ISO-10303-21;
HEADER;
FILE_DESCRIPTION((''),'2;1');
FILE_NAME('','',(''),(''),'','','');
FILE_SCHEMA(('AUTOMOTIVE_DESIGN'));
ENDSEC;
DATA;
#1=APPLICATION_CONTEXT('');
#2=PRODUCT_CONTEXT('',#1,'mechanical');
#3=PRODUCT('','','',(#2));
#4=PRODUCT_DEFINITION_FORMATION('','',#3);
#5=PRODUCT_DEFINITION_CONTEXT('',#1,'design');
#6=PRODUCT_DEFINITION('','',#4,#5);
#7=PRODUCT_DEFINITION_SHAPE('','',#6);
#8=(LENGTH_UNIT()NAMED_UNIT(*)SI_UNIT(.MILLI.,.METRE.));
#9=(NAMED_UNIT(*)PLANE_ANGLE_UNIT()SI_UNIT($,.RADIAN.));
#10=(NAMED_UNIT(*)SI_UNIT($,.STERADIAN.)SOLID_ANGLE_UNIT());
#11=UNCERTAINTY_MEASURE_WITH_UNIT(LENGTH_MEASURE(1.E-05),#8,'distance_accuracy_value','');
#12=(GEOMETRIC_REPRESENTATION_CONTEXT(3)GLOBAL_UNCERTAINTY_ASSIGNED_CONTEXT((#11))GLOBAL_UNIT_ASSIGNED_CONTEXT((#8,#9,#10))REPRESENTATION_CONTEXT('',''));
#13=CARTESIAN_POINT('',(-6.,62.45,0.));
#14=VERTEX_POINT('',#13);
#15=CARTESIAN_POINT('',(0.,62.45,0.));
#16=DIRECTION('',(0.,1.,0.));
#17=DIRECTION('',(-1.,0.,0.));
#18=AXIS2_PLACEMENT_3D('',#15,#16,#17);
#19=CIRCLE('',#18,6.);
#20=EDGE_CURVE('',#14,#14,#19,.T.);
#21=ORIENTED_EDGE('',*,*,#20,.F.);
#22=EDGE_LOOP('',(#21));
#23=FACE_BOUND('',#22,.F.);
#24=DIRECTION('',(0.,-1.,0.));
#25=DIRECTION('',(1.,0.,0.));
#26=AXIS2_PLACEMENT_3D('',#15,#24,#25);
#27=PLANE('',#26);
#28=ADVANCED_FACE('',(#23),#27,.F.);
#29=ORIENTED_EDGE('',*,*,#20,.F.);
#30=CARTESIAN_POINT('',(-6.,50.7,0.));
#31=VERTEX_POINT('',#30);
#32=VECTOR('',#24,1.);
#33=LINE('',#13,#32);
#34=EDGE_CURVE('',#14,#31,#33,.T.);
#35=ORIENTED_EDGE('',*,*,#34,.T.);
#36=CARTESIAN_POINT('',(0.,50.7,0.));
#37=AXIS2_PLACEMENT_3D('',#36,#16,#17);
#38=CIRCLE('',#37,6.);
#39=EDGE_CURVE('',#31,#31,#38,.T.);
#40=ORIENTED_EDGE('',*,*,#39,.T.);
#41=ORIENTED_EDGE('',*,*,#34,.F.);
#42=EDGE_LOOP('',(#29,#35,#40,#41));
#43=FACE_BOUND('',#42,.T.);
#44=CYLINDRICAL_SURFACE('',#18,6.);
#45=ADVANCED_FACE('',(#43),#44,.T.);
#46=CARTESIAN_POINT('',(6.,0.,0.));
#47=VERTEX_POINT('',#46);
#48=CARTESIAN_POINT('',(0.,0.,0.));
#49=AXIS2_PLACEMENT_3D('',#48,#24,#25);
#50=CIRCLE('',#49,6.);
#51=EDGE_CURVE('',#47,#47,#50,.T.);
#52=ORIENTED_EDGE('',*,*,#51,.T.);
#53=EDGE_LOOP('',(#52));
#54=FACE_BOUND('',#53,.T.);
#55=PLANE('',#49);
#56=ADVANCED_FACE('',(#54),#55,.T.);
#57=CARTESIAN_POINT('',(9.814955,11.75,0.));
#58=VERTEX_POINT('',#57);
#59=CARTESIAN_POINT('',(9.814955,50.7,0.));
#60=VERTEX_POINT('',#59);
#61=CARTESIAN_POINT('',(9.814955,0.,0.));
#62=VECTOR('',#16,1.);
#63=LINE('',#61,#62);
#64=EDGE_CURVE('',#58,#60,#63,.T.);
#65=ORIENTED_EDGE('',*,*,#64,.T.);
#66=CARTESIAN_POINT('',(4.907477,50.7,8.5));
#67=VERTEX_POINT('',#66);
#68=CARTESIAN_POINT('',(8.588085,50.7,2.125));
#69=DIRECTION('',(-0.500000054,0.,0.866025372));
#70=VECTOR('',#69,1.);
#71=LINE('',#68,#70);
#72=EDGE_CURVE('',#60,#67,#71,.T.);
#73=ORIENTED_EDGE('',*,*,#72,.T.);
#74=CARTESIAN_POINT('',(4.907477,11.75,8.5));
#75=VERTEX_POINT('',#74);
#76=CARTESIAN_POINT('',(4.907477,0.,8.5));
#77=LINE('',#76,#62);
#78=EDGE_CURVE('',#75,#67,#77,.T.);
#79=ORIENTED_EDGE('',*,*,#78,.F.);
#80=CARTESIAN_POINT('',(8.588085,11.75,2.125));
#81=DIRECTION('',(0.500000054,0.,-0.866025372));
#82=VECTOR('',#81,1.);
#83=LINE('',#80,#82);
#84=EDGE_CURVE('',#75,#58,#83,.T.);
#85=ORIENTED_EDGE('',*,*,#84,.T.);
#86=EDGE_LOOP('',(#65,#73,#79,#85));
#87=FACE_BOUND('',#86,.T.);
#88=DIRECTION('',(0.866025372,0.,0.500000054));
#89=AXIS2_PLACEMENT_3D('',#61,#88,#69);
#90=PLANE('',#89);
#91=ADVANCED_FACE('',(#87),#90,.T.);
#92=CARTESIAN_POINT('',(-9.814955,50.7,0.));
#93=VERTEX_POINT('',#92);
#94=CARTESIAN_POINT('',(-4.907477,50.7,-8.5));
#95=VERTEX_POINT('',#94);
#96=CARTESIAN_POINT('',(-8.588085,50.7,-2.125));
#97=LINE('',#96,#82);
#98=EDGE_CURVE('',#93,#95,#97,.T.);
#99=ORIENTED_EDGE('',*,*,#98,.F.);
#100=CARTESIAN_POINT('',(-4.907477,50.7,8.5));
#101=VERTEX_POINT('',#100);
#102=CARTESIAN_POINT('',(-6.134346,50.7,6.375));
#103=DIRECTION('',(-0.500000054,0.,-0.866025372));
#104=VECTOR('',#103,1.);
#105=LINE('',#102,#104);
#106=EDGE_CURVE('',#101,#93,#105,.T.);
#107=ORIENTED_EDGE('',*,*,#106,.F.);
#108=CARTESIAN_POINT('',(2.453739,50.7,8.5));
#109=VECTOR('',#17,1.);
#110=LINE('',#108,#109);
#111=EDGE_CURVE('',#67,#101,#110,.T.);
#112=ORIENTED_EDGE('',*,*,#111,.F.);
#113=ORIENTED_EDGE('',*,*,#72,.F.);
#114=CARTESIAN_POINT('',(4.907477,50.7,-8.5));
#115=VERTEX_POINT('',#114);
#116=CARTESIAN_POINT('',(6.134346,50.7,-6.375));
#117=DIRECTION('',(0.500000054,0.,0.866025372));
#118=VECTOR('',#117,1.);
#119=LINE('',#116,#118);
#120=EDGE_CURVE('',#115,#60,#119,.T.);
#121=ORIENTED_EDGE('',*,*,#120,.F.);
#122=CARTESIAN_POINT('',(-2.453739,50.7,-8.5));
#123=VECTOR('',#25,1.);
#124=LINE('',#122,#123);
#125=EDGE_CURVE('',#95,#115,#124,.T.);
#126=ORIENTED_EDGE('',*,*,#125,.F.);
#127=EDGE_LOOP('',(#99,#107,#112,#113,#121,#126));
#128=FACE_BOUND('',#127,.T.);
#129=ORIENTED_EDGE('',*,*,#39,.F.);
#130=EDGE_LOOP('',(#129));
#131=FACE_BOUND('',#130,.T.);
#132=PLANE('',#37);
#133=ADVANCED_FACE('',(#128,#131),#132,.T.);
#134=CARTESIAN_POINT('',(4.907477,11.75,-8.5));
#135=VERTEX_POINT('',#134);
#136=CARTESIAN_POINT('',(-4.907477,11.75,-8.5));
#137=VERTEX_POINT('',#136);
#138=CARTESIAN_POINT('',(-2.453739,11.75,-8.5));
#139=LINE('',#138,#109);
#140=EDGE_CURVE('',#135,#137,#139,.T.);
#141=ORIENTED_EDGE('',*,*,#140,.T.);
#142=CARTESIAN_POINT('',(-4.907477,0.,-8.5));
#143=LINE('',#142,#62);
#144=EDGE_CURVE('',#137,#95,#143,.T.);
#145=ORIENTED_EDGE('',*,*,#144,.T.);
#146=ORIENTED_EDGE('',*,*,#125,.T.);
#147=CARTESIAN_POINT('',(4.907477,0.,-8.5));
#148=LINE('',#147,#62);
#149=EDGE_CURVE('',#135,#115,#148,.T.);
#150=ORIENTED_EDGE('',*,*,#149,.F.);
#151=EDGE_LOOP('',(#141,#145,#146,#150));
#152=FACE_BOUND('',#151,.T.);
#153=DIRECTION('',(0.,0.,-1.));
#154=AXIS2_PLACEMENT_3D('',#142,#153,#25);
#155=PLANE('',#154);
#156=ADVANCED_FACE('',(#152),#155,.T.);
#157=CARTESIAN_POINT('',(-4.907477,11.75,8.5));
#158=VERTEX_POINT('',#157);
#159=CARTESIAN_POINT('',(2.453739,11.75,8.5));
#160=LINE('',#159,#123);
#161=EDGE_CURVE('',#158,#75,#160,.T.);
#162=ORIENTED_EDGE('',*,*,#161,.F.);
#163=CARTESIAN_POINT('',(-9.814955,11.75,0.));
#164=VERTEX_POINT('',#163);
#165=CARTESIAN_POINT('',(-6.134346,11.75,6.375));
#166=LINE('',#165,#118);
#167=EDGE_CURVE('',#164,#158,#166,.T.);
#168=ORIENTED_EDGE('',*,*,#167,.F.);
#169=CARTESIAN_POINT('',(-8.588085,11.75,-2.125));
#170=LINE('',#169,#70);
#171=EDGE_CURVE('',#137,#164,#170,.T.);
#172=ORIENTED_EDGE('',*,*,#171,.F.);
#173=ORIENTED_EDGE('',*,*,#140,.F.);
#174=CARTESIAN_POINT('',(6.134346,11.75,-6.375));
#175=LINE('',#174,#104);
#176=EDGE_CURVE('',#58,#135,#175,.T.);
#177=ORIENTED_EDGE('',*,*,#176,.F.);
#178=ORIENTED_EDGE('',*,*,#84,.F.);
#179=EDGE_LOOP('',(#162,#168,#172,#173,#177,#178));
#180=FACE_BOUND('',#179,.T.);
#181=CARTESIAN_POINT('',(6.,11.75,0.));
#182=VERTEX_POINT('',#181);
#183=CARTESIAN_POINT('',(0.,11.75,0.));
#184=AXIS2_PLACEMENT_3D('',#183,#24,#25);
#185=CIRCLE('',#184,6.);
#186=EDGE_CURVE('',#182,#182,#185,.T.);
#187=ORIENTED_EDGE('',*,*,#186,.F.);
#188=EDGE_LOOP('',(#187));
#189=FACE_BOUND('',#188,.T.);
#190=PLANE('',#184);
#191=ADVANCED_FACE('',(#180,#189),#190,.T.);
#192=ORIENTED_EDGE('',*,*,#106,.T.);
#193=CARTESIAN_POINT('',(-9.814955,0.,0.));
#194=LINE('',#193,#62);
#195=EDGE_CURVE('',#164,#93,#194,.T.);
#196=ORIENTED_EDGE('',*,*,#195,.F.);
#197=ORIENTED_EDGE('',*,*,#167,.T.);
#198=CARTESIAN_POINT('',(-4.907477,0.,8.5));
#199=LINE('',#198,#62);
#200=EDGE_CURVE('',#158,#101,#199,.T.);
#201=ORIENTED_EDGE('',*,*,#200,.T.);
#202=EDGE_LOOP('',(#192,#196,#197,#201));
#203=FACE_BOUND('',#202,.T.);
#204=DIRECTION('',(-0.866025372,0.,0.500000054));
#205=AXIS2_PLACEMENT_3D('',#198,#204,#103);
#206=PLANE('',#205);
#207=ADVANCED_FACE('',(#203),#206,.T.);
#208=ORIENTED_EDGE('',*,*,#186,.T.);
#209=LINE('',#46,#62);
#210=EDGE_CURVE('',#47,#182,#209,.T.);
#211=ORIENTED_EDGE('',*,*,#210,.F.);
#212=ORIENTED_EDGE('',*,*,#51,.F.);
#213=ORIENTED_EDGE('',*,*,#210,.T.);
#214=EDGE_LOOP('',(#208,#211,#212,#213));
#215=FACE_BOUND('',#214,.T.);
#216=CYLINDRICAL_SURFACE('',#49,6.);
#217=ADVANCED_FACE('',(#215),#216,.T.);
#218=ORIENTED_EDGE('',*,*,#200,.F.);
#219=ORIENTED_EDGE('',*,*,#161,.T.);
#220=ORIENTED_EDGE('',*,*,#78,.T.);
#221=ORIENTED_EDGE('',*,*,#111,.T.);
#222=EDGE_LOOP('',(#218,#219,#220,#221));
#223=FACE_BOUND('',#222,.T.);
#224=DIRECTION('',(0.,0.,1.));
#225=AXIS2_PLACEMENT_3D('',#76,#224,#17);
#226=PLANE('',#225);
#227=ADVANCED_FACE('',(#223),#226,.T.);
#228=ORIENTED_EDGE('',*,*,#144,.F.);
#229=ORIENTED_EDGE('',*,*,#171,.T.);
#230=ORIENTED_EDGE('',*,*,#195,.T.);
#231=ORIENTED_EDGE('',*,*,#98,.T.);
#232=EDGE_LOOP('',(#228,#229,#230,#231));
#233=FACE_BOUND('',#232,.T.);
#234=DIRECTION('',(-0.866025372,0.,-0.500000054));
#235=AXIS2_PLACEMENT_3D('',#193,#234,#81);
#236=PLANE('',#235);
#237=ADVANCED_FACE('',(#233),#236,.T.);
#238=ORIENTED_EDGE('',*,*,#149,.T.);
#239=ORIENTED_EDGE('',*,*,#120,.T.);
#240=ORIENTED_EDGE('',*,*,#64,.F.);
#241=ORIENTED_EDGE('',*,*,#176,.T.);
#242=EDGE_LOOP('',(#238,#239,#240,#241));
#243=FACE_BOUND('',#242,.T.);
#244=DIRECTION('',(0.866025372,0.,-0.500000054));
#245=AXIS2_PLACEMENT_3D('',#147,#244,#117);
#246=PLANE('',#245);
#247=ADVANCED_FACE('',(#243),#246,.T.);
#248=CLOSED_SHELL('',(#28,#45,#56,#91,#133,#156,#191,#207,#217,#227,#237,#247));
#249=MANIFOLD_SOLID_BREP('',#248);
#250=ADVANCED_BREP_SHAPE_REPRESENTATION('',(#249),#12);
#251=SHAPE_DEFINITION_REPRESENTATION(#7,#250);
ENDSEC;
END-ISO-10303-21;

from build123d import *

# Parameters (mm, degrees)
F1_DEPTH = 62.45
F2_R     = 16.478049
F2_R_2   = 6
F3_DEPTH = 11.75
F4_R     = 15.413294
F4_R_2   = 6
F5_DEPTH = 11.75


with BuildPart() as f1:
    # F0 (on Front) → F1 (new body)
    with BuildSketch(Plane.XZ):
        Polygon((-4.907477, -8.5), (4.907477, -8.5), (9.814955, 0), (4.907477, 8.5), (-4.907477, 8.5), (-9.814955, 0), align=None)
    extrude(amount=-F1_DEPTH)

    # F2 (on face) → F3 (cut)
    with BuildSketch(Plane.XZ):
        Circle(F2_R)
        Circle(F2_R_2, mode=Mode.SUBTRACT)
    extrude(amount=-F3_DEPTH, mode=Mode.SUBTRACT)

    # F4 (on face) → F5 (cut)
    with BuildSketch(Plane(origin=(0, 62.45, 0), x_dir=(-1, 0, 0), z_dir=(0, 1, 0))):
        Circle(F4_R)
        Circle(F4_R_2, mode=Mode.SUBTRACT)
    extrude(amount=-F5_DEPTH, mode=Mode.SUBTRACT)


solid = f1.part
